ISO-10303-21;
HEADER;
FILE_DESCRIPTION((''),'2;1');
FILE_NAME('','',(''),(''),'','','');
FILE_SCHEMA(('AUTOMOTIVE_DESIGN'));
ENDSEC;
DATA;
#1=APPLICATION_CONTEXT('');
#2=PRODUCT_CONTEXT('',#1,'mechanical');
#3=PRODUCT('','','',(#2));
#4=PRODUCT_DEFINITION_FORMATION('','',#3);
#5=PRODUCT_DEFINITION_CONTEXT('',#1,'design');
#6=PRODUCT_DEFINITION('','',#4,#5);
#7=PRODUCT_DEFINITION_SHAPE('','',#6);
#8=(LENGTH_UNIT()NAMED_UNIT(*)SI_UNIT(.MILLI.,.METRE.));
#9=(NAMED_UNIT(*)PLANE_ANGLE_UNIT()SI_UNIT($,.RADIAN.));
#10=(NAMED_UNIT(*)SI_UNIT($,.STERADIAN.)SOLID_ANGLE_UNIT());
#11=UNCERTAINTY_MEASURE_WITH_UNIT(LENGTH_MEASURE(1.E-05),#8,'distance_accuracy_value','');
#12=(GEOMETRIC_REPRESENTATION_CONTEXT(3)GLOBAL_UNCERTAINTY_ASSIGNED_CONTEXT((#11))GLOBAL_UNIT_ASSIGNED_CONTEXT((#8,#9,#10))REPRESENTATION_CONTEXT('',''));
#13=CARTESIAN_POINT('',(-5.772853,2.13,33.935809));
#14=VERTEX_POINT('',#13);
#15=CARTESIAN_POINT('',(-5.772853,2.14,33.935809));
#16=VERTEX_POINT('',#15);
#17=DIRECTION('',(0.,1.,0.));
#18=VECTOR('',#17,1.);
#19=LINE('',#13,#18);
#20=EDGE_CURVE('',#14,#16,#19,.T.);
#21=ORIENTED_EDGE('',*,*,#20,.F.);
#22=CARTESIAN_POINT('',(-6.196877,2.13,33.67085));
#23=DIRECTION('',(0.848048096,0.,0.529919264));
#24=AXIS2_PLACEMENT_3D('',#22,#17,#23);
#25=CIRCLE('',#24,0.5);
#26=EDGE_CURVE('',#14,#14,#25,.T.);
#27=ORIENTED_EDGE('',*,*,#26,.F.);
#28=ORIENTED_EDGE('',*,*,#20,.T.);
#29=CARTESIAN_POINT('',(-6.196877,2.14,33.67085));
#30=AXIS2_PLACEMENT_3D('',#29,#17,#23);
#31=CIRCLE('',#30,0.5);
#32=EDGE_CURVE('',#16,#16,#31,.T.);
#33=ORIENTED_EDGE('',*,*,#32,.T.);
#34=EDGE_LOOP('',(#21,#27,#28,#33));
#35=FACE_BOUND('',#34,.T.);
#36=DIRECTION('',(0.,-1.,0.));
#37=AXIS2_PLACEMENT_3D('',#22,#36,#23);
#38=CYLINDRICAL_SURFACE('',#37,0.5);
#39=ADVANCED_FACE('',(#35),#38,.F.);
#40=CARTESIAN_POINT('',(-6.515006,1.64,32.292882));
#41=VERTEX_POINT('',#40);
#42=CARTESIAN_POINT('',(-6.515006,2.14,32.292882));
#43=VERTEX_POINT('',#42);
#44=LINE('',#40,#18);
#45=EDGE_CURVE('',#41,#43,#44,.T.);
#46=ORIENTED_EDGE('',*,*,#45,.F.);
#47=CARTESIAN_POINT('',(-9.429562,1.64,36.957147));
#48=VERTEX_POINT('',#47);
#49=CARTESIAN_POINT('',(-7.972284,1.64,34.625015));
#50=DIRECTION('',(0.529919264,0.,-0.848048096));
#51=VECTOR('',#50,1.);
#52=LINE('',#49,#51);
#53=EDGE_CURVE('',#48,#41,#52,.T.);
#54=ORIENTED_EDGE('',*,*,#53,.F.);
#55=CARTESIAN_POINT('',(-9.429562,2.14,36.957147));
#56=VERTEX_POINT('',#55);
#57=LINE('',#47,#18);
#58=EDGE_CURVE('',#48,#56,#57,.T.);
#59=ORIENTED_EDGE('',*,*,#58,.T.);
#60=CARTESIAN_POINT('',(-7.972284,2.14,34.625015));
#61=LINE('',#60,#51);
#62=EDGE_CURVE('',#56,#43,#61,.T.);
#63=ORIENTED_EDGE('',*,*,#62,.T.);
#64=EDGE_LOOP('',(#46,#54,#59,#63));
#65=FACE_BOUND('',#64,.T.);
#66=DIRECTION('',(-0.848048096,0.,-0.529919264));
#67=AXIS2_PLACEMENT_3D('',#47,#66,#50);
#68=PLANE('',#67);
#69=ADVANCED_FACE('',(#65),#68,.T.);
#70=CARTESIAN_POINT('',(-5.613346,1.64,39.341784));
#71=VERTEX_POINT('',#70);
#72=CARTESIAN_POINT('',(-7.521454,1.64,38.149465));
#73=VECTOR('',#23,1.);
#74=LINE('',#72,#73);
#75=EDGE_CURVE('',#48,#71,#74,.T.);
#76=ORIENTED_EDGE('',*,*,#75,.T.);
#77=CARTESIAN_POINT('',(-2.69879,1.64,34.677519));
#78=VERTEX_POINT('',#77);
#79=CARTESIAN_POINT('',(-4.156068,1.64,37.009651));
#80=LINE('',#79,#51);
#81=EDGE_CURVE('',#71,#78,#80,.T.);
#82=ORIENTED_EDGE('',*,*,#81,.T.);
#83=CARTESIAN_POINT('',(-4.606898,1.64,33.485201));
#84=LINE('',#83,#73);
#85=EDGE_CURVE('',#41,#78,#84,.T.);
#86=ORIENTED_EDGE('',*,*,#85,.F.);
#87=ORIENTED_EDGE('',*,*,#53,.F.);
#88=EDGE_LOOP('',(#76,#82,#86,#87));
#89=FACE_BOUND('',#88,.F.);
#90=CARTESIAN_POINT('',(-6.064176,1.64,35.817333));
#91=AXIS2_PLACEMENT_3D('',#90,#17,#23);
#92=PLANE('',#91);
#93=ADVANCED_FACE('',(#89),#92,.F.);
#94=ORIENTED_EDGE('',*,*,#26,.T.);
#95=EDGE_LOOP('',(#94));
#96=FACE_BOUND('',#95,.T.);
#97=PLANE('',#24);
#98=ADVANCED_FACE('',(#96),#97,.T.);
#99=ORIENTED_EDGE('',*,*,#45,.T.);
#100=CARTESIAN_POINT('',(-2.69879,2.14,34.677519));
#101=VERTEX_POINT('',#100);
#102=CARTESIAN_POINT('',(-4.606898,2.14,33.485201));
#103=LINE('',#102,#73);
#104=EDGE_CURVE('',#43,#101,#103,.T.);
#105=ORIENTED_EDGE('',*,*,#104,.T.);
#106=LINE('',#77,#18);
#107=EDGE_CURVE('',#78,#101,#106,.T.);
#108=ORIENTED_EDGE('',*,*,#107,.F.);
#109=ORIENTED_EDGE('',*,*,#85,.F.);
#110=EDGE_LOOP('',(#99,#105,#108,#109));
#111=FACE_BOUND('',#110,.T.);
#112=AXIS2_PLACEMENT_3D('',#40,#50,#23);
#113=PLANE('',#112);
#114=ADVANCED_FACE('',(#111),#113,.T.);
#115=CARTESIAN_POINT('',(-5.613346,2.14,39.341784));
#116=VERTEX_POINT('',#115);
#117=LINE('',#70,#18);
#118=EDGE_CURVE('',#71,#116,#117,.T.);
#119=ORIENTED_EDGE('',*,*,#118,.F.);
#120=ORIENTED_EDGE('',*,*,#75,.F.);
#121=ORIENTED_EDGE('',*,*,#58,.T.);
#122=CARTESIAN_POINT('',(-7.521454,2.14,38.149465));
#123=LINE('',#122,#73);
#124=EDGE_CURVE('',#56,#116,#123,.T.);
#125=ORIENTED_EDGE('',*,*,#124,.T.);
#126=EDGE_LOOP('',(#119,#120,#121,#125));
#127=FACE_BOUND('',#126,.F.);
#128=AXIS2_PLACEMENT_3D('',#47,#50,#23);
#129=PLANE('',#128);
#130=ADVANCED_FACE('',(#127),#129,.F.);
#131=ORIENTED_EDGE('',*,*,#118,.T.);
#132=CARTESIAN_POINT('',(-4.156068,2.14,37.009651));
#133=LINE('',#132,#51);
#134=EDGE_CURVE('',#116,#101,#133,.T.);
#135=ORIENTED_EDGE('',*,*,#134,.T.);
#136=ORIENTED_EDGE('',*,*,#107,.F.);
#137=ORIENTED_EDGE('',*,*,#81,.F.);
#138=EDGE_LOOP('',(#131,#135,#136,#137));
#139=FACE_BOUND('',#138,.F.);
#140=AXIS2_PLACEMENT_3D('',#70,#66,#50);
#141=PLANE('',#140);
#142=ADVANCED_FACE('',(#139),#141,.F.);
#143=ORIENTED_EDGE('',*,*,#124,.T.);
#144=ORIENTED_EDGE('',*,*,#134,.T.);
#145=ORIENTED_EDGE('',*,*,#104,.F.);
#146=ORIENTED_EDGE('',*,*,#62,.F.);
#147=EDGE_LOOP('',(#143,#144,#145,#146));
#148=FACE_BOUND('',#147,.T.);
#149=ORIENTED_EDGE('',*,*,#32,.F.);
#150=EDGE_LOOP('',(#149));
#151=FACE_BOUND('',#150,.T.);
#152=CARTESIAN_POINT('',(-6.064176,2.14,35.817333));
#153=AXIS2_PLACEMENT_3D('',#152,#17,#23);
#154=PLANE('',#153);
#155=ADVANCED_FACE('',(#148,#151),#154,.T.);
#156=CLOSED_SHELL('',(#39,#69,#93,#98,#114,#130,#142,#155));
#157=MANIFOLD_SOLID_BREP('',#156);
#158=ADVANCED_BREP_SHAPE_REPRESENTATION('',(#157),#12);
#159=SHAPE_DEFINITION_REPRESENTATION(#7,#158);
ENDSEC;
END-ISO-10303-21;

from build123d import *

# Parameters (mm, degrees)
CYLINDER066_R      = 0.5
CYLINDER066_DEPTH  = 0.01
BOX145_W           = 4.5
BOX145_H           = 5.5
BOX145_DEPTH       = 0.5
CUT067_ROLL_ANGLE  = -90
CUT067_PITCH_ANGLE = -32


with BuildPart() as cylinder066:
    # Cylinder066 → Cylinder066 (new body)
    with BuildSketch(Plane(origin=(1, 4.5, 0.49), x_dir=(1, 0, 0), z_dir=(0, 0, 1))):
        Circle(CYLINDER066_R)
    extrude(amount=CYLINDER066_DEPTH)


with BuildPart() as small_linbo3_plate068:
    # Box145 → Box145 (new body)
    with BuildSketch(Plane.XY):
        with Locations((2.25, 2.75)):
            Rectangle(BOX145_W, BOX145_H)
    extrude(amount=BOX145_DEPTH)

    # Cut067: cut Cylinder066
    add(cylinder066.part, mode=Mode.SUBTRACT)


with BuildPart() as small_linbo3_plate068_1:
    # Cut067 roll: moved
    add(small_linbo3_plate068.part.rotate(Axis((0, 0, 0), (1, 0, 0)), CUT067_ROLL_ANGLE))


with BuildPart() as small_linbo3_plate068_2:
    # Cut067 pitch: moved
    add(small_linbo3_plate068_1.part.rotate(Axis((0, 0, 0), (0, 1, 0)), CUT067_PITCH_ANGLE))


with BuildPart() as small_linbo3_plate068_3:
    # Cut067 placement: moved
    add(small_linbo3_plate068_2.part.moved(Location((-9.429562, 1.64, 36.957147))))


solid = small_linbo3_plate068_3.part
